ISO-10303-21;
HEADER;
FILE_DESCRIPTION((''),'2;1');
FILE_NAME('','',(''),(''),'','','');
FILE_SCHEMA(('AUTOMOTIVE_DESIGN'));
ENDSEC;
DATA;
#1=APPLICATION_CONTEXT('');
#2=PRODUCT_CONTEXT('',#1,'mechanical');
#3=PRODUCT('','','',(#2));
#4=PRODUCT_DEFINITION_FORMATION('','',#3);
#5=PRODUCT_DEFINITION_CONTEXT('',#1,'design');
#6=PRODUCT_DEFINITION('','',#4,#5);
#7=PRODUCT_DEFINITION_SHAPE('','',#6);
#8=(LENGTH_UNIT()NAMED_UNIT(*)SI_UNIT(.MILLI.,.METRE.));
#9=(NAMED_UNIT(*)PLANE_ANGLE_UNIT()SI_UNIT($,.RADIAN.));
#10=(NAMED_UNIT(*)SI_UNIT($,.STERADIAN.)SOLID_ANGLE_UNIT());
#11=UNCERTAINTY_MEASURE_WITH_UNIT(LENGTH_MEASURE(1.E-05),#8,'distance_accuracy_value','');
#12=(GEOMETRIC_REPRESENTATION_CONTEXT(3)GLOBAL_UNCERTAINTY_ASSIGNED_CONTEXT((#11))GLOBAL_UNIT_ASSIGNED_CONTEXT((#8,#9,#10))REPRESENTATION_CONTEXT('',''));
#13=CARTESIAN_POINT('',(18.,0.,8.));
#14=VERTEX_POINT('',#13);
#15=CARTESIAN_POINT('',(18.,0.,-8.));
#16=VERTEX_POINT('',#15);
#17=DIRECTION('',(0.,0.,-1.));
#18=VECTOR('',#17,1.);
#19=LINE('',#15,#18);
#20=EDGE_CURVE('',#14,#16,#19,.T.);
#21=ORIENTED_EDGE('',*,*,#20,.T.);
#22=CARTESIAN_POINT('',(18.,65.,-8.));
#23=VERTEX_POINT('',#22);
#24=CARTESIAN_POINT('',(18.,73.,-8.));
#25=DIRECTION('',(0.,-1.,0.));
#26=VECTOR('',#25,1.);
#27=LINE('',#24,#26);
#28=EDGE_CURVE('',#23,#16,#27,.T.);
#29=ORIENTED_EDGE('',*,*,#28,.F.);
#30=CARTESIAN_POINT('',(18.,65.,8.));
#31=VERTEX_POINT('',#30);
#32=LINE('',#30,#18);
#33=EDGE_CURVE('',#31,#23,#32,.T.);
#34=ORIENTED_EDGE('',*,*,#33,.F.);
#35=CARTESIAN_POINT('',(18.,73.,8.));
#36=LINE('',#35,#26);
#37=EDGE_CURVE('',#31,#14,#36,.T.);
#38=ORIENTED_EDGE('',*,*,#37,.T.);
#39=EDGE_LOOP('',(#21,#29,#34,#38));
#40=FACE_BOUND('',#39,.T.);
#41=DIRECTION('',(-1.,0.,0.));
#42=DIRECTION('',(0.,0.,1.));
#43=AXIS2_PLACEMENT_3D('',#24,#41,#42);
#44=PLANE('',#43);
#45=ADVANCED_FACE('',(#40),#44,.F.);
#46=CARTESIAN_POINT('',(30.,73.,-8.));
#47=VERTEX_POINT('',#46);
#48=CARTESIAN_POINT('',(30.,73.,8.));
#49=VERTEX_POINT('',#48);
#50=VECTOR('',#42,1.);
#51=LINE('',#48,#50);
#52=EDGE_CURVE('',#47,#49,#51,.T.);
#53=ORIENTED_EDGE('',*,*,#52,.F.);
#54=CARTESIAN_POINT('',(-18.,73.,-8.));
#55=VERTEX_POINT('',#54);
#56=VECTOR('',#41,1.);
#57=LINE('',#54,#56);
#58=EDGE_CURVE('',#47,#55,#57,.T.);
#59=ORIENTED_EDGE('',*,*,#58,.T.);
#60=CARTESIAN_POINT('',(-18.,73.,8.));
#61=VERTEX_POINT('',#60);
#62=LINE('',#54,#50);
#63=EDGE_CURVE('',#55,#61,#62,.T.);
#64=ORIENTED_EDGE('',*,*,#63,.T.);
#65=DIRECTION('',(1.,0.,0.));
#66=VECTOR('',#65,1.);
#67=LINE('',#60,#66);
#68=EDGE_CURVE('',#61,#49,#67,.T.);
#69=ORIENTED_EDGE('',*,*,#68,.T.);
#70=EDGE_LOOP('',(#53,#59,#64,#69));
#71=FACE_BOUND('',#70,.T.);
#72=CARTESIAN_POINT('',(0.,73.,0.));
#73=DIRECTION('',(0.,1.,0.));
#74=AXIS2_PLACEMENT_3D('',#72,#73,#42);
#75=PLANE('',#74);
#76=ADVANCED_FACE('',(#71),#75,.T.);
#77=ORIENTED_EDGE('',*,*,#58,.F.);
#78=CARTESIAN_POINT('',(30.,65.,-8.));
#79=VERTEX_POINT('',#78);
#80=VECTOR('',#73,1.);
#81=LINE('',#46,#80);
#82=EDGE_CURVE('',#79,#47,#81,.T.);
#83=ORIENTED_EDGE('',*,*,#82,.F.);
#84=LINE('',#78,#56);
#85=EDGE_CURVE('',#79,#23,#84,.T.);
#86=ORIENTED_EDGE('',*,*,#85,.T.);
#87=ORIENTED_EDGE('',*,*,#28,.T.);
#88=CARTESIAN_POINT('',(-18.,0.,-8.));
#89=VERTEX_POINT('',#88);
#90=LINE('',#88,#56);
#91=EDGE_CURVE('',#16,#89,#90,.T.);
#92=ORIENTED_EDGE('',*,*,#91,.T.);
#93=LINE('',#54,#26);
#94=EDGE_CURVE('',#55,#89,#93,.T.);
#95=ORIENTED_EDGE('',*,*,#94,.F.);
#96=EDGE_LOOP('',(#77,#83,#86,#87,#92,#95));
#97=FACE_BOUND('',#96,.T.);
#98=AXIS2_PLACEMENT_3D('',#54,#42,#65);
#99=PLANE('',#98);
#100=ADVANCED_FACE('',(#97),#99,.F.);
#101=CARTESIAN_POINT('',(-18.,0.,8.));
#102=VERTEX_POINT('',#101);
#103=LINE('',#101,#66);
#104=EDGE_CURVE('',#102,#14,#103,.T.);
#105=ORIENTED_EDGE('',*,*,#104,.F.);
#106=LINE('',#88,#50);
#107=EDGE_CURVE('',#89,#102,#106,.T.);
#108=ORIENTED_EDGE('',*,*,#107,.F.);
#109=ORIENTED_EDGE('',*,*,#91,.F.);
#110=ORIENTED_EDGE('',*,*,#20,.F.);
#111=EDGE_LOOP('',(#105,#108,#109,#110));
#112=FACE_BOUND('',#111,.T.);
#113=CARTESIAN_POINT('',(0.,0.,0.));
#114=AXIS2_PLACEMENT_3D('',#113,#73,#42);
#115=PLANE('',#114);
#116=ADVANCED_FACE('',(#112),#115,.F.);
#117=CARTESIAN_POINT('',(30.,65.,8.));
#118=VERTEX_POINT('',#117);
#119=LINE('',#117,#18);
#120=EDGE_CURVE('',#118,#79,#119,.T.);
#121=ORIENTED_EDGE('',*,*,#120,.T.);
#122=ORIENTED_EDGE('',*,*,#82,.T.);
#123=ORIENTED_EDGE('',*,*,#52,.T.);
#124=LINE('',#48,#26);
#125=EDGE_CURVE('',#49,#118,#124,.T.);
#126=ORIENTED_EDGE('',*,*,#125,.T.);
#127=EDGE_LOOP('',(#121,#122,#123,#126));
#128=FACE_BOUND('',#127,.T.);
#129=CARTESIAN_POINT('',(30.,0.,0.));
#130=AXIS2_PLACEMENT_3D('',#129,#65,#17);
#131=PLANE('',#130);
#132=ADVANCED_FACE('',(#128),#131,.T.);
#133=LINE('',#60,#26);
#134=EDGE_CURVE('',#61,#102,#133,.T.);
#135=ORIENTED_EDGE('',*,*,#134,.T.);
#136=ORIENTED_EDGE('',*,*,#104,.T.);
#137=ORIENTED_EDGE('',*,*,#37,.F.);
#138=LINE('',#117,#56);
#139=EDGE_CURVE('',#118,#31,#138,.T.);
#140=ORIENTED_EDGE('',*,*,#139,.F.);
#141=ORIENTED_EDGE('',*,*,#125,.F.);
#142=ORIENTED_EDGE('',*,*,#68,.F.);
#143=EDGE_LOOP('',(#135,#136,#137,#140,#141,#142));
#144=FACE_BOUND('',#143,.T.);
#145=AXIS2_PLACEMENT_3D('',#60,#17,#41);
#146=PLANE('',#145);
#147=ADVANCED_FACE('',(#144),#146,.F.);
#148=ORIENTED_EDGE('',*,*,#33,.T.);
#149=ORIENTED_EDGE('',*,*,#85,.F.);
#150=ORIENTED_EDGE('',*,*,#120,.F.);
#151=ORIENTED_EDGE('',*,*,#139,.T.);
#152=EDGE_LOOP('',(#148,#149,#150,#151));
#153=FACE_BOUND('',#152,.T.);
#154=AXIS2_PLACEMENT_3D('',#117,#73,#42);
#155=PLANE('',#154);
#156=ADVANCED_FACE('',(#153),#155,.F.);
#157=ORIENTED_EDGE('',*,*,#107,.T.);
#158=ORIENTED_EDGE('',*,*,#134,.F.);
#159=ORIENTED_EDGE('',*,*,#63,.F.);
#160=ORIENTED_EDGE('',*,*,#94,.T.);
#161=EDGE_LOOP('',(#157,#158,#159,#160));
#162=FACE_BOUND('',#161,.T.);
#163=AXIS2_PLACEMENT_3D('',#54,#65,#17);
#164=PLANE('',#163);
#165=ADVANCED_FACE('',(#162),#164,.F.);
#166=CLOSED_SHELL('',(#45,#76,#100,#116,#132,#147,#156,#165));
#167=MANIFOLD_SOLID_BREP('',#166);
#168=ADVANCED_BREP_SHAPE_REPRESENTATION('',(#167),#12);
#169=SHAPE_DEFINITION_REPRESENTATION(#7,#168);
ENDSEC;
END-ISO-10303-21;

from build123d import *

# Parameters (mm, degrees)
SKETCH1_W           = 36
SKETCH1_H           = 16
BOSS_EXTRUDE1_DEPTH = 73
SKETCH2_W           = 16
SKETCH2_H           = 8
BOSS_EXTRUDE2_DEPTH = 12


with BuildPart() as part:
    # Sketch1 → Boss-Extrude1 (new body)
    with BuildSketch(Plane(origin=(0, 0, 0), x_dir=(1, 0, 0), z_dir=(0, 1, 0))):
        Rectangle(SKETCH1_W, SKETCH1_H)
    extrude(amount=BOSS_EXTRUDE1_DEPTH)

    # Sketch2 → Boss-Extrude2 (add)
    with BuildSketch(Plane(origin=(18, 0, 0), x_dir=(0, 0, -1), z_dir=(1, 0, 0))):
        with Locations((0, 69)):
            Rectangle(SKETCH2_W, SKETCH2_H)
    extrude(amount=BOSS_EXTRUDE2_DEPTH)


solid = part.part
